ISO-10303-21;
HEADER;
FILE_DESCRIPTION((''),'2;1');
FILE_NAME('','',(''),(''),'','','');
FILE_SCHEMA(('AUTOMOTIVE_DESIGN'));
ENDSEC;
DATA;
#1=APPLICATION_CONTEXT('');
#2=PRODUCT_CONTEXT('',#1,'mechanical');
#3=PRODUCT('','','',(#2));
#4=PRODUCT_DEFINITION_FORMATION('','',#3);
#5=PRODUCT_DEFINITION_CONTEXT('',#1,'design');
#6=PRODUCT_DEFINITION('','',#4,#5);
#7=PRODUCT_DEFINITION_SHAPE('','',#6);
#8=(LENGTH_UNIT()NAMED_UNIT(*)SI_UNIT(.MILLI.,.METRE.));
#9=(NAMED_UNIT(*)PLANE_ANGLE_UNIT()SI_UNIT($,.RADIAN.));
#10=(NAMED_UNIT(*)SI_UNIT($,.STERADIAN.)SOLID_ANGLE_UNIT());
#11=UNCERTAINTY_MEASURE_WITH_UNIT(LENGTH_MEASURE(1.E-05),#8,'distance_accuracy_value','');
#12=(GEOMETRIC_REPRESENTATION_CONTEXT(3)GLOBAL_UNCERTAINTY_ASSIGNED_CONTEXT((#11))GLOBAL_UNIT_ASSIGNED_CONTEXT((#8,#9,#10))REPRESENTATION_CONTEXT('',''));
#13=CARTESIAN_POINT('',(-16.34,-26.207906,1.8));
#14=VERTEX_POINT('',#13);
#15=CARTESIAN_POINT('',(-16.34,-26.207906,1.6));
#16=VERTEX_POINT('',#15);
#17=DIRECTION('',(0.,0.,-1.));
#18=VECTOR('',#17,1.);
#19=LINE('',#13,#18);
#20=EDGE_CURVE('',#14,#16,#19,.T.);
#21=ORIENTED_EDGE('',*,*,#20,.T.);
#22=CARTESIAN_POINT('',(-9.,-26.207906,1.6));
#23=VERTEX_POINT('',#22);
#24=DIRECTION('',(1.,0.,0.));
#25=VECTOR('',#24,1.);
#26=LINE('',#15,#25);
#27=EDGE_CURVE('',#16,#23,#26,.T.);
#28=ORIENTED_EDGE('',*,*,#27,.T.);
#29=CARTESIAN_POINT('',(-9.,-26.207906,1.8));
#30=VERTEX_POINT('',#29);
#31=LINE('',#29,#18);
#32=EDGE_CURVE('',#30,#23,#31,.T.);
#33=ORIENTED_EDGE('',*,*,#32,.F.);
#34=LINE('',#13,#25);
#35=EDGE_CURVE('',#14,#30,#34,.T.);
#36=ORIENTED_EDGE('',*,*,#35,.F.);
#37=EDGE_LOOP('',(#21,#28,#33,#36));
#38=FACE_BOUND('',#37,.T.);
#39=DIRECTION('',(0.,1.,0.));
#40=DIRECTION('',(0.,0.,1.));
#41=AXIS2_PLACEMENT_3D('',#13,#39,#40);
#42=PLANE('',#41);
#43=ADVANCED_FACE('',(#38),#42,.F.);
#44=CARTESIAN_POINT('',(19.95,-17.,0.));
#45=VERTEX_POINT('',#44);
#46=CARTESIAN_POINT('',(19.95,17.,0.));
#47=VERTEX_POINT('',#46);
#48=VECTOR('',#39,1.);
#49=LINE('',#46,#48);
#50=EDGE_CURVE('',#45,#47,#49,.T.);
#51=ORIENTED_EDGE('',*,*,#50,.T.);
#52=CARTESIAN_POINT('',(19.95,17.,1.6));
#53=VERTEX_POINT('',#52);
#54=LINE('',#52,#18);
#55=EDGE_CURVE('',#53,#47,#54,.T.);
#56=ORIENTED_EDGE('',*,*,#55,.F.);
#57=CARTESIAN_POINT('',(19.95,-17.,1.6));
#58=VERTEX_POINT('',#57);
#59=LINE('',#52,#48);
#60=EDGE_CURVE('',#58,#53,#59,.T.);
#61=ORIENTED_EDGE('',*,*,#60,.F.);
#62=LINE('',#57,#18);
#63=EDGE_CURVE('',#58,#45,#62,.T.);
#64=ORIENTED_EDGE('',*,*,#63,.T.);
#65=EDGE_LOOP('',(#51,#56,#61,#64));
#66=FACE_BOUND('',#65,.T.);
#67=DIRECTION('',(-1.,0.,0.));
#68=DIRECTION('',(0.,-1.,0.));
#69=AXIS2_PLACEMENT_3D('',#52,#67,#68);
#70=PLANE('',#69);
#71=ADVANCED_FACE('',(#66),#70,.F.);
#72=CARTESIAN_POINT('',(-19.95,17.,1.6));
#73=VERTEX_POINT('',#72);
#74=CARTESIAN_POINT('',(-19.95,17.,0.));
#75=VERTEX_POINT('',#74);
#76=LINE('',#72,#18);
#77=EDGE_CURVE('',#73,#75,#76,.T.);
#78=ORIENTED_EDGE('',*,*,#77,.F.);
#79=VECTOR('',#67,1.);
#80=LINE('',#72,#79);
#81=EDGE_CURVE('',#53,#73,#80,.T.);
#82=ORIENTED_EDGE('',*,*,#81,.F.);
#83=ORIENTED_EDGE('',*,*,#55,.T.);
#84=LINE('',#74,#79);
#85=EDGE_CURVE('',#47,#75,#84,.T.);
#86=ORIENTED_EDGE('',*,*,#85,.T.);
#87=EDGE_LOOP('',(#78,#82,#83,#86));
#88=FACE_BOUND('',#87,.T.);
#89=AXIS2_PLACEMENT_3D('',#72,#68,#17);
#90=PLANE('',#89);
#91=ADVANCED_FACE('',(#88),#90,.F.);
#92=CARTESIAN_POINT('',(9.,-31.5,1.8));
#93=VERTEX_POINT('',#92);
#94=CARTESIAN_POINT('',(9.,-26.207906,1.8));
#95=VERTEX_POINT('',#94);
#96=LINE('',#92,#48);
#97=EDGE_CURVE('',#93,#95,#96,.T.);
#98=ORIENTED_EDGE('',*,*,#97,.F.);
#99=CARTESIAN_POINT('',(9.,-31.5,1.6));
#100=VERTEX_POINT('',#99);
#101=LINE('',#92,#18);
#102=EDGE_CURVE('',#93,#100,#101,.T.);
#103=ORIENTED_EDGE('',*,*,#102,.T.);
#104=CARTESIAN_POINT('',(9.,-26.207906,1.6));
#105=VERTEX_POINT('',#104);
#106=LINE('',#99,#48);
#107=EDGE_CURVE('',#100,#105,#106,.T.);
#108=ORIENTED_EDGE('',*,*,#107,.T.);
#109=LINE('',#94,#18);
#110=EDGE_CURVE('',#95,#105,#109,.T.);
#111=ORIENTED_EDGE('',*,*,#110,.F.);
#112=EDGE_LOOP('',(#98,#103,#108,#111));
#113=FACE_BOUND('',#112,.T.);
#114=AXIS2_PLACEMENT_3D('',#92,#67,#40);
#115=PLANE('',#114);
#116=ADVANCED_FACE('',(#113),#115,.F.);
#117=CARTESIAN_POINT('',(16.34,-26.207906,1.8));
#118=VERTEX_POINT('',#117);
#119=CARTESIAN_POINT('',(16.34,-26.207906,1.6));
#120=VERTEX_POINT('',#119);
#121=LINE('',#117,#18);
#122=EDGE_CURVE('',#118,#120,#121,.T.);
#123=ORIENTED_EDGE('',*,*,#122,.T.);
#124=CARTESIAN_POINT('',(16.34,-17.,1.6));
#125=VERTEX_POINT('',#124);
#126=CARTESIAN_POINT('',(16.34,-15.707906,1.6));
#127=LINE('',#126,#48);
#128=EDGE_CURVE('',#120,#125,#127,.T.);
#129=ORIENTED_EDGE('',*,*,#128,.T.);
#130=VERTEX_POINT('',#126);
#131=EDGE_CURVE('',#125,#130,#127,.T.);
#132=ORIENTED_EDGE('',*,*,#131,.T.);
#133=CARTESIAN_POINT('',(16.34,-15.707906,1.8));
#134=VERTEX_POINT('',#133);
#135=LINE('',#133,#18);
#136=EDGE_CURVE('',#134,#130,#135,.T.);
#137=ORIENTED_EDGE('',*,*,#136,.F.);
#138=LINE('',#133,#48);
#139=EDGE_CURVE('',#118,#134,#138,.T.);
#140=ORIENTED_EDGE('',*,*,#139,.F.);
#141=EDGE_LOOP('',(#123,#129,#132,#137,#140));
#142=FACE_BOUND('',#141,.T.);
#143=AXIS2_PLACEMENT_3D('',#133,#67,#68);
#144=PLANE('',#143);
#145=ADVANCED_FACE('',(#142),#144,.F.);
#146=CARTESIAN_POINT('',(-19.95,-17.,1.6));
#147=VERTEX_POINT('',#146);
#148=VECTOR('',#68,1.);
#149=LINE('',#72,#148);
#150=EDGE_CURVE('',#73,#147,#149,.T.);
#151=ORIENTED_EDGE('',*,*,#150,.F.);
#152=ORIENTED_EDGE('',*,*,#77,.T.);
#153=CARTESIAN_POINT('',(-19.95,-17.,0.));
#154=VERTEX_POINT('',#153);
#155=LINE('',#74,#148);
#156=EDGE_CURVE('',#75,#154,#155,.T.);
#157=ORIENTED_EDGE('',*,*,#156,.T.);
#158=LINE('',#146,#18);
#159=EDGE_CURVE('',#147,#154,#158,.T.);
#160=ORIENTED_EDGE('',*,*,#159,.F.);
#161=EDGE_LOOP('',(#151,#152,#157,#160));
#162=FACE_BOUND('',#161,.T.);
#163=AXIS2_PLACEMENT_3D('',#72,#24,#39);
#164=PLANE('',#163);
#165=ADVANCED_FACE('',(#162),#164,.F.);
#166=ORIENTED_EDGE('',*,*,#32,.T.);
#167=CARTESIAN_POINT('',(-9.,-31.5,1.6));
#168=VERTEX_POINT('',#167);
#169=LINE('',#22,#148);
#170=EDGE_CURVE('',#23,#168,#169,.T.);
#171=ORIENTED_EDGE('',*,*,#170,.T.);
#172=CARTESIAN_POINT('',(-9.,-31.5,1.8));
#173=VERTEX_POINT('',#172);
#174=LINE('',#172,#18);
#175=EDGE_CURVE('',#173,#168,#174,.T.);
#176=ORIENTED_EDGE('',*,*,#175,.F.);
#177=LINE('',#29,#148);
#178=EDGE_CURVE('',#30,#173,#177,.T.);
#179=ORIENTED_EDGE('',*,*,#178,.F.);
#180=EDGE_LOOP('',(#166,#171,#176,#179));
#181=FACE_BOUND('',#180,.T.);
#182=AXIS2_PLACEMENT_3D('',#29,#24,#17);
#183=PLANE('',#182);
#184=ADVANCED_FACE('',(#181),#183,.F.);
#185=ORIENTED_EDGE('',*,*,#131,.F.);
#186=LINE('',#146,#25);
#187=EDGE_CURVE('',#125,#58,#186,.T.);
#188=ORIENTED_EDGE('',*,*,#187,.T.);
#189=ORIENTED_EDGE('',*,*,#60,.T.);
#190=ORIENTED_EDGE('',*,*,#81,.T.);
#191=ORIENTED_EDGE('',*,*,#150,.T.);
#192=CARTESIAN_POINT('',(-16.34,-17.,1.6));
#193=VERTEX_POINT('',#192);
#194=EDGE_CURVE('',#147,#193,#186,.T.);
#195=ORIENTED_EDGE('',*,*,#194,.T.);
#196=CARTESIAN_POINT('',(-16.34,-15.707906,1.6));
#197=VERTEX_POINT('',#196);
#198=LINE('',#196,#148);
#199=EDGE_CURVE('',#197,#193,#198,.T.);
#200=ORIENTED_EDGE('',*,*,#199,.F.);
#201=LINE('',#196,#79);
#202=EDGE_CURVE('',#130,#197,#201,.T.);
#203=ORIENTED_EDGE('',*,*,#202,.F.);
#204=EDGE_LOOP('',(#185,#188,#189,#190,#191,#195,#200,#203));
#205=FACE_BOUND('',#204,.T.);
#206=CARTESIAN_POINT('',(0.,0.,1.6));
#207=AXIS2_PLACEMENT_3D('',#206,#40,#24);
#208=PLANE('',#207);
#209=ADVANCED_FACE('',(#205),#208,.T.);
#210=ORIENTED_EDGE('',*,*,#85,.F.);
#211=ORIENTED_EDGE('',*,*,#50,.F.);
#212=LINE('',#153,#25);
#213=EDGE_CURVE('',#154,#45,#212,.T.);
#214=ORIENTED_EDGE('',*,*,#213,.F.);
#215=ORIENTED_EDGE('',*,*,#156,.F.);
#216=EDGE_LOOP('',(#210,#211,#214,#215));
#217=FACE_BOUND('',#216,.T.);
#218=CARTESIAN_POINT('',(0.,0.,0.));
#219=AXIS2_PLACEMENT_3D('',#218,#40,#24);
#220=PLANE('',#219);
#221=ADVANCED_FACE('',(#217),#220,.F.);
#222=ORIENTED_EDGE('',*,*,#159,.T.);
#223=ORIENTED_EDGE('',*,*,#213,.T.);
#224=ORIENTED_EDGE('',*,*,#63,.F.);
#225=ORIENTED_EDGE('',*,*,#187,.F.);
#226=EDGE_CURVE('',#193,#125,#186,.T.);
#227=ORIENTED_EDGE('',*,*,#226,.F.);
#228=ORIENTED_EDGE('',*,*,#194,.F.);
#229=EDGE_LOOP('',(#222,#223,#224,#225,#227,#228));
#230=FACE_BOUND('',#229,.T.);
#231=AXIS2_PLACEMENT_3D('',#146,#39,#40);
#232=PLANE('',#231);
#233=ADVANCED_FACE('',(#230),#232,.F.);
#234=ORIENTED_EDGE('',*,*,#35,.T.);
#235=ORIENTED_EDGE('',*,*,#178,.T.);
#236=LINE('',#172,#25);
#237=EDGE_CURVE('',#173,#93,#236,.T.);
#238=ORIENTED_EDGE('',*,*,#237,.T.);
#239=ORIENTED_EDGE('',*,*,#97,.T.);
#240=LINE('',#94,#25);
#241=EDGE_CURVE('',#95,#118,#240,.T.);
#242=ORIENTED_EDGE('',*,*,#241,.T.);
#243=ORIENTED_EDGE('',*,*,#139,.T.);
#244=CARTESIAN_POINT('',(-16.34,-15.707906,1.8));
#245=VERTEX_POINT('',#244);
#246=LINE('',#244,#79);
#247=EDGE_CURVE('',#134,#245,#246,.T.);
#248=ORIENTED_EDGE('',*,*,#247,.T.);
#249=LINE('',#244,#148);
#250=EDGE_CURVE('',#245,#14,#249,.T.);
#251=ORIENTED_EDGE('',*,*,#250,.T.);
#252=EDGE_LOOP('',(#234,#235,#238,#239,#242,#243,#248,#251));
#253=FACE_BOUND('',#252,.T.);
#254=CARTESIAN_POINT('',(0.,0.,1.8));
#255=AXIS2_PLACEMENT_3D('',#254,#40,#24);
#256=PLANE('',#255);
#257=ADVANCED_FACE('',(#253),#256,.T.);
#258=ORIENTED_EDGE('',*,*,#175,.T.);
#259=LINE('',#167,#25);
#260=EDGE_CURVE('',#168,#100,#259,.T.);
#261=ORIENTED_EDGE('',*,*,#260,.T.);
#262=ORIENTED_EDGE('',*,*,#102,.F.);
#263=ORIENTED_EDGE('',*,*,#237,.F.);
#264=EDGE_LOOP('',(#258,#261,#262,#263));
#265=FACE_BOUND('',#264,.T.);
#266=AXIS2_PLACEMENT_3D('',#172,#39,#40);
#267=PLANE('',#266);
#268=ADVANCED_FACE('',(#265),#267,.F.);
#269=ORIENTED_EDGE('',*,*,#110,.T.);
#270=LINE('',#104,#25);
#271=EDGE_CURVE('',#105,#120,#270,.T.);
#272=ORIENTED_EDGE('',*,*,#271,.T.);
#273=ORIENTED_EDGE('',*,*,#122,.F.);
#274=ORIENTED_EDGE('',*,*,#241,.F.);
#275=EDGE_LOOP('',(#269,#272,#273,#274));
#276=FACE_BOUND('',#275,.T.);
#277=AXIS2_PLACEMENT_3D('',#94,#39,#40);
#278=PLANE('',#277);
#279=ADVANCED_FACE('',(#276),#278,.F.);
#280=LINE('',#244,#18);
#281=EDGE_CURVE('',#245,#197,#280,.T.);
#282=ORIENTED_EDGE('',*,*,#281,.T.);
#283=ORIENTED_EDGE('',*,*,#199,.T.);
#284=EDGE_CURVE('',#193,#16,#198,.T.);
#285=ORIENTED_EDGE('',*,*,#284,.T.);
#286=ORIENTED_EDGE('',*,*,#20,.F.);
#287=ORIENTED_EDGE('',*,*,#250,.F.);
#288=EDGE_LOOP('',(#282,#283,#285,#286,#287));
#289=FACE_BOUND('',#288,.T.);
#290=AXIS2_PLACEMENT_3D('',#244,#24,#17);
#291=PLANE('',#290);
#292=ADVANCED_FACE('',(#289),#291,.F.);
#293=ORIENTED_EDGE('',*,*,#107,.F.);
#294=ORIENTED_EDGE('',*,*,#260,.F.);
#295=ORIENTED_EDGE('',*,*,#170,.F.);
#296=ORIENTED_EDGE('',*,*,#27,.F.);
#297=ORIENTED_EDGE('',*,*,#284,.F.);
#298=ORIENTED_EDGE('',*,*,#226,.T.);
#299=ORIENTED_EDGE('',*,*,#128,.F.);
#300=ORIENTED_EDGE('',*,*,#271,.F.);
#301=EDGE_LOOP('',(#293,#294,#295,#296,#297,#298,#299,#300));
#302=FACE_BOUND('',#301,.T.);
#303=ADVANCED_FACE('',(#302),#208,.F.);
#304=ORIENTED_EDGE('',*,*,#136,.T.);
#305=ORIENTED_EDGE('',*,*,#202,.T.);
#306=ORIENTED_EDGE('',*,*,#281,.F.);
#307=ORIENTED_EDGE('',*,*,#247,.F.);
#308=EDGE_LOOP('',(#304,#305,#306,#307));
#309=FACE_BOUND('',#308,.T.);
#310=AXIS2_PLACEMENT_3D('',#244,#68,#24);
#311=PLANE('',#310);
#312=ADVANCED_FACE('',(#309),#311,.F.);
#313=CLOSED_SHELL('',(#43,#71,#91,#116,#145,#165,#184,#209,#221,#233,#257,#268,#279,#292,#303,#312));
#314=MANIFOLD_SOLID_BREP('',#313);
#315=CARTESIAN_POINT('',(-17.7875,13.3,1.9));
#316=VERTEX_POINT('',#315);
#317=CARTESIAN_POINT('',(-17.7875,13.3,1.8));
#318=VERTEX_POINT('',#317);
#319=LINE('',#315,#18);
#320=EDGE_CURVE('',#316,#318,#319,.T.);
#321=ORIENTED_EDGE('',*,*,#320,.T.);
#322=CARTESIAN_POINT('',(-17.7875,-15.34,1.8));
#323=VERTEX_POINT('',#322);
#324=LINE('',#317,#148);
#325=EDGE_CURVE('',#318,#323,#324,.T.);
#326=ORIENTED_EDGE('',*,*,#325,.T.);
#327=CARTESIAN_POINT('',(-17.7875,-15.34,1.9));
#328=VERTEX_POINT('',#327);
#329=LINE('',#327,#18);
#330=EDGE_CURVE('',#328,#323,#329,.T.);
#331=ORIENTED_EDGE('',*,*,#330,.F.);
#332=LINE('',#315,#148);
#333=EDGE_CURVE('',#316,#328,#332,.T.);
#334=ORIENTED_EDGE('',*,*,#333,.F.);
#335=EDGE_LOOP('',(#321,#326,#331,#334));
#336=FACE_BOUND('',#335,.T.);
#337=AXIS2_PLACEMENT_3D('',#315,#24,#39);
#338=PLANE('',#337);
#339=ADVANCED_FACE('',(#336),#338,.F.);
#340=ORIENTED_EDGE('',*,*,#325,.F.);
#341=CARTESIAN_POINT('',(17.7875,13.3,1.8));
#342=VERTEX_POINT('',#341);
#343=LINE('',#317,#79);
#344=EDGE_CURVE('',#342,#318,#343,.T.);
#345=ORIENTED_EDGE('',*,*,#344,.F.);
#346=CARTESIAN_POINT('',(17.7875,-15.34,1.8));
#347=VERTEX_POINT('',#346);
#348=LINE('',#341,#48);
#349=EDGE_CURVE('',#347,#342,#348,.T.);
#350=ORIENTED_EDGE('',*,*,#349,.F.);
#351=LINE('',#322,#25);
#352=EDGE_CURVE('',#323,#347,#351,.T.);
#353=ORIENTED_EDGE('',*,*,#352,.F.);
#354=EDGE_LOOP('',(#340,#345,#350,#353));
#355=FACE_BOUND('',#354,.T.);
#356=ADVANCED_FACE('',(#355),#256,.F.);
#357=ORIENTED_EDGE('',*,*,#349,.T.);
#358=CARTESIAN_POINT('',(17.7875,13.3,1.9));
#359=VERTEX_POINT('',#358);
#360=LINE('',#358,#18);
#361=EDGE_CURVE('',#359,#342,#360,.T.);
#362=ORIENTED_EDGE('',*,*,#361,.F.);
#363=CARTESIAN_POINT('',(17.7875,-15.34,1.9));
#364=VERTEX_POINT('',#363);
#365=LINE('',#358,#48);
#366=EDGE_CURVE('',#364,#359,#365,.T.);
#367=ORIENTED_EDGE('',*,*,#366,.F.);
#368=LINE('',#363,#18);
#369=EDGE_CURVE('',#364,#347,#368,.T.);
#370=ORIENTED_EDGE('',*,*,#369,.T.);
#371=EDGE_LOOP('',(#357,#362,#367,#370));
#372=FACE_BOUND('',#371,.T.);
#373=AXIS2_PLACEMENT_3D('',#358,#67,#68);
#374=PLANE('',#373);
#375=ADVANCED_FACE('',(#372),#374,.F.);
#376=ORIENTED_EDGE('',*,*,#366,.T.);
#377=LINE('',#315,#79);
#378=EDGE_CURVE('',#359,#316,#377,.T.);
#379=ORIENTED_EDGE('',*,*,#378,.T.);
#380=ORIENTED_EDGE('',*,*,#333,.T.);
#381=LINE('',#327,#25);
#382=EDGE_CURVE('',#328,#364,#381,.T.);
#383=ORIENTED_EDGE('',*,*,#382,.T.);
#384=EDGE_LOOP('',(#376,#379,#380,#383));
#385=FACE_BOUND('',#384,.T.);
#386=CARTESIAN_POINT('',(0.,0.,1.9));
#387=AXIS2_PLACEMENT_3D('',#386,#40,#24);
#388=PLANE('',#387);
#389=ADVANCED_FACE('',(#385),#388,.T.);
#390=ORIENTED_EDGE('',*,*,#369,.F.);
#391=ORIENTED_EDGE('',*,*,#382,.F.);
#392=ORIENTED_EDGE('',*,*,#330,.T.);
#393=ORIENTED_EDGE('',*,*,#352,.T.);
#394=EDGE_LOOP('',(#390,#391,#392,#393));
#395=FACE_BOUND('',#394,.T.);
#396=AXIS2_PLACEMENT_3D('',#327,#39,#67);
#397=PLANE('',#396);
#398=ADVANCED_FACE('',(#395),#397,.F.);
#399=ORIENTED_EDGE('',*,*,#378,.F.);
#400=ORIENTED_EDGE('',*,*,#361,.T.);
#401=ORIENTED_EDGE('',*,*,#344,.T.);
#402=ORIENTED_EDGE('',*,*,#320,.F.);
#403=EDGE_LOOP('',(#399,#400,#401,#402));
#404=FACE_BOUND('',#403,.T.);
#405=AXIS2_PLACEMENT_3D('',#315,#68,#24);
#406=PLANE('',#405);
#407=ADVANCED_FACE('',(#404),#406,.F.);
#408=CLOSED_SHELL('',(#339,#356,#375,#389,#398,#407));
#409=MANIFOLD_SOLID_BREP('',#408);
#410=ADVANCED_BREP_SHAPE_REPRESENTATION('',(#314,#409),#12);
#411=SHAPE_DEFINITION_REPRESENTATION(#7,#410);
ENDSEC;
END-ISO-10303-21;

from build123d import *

# Parameters (mm, degrees)
SKETCH_1_W      = 39.9
SKETCH_1_H      = 34
EXTRUDE_1_DEPTH = 1.6
EXTRUDE_2_DEPTH = 0.2
SKETCH_3_W      = 35.575
SKETCH_3_H      = 28.64
EXTRUDE_3_DEPTH = 0.1


with BuildPart() as part:
    # 草图1 → 凸台-拉伸1 (new body)
    with BuildSketch(Plane.XY):
        Rectangle(SKETCH_1_W, SKETCH_1_H)
    extrude(amount=EXTRUDE_1_DEPTH)

    # 草图2 → 凸台-拉伸2 (add)
    with BuildSketch(Plane.XY.offset(1.6)):
        Polygon((-16.34, -15.707906265), (16.34, -15.707906265), (16.34, -26.207906265), (9, -26.207906265), (9, -31.5), (-9, -31.5), (-9, -26.207906265), (-16.34, -26.207906265), align=None)
    extrude(amount=EXTRUDE_2_DEPTH)


with BuildPart() as body_2:
    # 草图3 → 凸台-拉伸3 (new body)
    with BuildSketch(Plane.XY.offset(1.8)):
        with Locations((0, -1.02)):
            Rectangle(SKETCH_3_W, SKETCH_3_H)
    extrude(amount=EXTRUDE_3_DEPTH)


solid = Compound([part.part, body_2.part])
